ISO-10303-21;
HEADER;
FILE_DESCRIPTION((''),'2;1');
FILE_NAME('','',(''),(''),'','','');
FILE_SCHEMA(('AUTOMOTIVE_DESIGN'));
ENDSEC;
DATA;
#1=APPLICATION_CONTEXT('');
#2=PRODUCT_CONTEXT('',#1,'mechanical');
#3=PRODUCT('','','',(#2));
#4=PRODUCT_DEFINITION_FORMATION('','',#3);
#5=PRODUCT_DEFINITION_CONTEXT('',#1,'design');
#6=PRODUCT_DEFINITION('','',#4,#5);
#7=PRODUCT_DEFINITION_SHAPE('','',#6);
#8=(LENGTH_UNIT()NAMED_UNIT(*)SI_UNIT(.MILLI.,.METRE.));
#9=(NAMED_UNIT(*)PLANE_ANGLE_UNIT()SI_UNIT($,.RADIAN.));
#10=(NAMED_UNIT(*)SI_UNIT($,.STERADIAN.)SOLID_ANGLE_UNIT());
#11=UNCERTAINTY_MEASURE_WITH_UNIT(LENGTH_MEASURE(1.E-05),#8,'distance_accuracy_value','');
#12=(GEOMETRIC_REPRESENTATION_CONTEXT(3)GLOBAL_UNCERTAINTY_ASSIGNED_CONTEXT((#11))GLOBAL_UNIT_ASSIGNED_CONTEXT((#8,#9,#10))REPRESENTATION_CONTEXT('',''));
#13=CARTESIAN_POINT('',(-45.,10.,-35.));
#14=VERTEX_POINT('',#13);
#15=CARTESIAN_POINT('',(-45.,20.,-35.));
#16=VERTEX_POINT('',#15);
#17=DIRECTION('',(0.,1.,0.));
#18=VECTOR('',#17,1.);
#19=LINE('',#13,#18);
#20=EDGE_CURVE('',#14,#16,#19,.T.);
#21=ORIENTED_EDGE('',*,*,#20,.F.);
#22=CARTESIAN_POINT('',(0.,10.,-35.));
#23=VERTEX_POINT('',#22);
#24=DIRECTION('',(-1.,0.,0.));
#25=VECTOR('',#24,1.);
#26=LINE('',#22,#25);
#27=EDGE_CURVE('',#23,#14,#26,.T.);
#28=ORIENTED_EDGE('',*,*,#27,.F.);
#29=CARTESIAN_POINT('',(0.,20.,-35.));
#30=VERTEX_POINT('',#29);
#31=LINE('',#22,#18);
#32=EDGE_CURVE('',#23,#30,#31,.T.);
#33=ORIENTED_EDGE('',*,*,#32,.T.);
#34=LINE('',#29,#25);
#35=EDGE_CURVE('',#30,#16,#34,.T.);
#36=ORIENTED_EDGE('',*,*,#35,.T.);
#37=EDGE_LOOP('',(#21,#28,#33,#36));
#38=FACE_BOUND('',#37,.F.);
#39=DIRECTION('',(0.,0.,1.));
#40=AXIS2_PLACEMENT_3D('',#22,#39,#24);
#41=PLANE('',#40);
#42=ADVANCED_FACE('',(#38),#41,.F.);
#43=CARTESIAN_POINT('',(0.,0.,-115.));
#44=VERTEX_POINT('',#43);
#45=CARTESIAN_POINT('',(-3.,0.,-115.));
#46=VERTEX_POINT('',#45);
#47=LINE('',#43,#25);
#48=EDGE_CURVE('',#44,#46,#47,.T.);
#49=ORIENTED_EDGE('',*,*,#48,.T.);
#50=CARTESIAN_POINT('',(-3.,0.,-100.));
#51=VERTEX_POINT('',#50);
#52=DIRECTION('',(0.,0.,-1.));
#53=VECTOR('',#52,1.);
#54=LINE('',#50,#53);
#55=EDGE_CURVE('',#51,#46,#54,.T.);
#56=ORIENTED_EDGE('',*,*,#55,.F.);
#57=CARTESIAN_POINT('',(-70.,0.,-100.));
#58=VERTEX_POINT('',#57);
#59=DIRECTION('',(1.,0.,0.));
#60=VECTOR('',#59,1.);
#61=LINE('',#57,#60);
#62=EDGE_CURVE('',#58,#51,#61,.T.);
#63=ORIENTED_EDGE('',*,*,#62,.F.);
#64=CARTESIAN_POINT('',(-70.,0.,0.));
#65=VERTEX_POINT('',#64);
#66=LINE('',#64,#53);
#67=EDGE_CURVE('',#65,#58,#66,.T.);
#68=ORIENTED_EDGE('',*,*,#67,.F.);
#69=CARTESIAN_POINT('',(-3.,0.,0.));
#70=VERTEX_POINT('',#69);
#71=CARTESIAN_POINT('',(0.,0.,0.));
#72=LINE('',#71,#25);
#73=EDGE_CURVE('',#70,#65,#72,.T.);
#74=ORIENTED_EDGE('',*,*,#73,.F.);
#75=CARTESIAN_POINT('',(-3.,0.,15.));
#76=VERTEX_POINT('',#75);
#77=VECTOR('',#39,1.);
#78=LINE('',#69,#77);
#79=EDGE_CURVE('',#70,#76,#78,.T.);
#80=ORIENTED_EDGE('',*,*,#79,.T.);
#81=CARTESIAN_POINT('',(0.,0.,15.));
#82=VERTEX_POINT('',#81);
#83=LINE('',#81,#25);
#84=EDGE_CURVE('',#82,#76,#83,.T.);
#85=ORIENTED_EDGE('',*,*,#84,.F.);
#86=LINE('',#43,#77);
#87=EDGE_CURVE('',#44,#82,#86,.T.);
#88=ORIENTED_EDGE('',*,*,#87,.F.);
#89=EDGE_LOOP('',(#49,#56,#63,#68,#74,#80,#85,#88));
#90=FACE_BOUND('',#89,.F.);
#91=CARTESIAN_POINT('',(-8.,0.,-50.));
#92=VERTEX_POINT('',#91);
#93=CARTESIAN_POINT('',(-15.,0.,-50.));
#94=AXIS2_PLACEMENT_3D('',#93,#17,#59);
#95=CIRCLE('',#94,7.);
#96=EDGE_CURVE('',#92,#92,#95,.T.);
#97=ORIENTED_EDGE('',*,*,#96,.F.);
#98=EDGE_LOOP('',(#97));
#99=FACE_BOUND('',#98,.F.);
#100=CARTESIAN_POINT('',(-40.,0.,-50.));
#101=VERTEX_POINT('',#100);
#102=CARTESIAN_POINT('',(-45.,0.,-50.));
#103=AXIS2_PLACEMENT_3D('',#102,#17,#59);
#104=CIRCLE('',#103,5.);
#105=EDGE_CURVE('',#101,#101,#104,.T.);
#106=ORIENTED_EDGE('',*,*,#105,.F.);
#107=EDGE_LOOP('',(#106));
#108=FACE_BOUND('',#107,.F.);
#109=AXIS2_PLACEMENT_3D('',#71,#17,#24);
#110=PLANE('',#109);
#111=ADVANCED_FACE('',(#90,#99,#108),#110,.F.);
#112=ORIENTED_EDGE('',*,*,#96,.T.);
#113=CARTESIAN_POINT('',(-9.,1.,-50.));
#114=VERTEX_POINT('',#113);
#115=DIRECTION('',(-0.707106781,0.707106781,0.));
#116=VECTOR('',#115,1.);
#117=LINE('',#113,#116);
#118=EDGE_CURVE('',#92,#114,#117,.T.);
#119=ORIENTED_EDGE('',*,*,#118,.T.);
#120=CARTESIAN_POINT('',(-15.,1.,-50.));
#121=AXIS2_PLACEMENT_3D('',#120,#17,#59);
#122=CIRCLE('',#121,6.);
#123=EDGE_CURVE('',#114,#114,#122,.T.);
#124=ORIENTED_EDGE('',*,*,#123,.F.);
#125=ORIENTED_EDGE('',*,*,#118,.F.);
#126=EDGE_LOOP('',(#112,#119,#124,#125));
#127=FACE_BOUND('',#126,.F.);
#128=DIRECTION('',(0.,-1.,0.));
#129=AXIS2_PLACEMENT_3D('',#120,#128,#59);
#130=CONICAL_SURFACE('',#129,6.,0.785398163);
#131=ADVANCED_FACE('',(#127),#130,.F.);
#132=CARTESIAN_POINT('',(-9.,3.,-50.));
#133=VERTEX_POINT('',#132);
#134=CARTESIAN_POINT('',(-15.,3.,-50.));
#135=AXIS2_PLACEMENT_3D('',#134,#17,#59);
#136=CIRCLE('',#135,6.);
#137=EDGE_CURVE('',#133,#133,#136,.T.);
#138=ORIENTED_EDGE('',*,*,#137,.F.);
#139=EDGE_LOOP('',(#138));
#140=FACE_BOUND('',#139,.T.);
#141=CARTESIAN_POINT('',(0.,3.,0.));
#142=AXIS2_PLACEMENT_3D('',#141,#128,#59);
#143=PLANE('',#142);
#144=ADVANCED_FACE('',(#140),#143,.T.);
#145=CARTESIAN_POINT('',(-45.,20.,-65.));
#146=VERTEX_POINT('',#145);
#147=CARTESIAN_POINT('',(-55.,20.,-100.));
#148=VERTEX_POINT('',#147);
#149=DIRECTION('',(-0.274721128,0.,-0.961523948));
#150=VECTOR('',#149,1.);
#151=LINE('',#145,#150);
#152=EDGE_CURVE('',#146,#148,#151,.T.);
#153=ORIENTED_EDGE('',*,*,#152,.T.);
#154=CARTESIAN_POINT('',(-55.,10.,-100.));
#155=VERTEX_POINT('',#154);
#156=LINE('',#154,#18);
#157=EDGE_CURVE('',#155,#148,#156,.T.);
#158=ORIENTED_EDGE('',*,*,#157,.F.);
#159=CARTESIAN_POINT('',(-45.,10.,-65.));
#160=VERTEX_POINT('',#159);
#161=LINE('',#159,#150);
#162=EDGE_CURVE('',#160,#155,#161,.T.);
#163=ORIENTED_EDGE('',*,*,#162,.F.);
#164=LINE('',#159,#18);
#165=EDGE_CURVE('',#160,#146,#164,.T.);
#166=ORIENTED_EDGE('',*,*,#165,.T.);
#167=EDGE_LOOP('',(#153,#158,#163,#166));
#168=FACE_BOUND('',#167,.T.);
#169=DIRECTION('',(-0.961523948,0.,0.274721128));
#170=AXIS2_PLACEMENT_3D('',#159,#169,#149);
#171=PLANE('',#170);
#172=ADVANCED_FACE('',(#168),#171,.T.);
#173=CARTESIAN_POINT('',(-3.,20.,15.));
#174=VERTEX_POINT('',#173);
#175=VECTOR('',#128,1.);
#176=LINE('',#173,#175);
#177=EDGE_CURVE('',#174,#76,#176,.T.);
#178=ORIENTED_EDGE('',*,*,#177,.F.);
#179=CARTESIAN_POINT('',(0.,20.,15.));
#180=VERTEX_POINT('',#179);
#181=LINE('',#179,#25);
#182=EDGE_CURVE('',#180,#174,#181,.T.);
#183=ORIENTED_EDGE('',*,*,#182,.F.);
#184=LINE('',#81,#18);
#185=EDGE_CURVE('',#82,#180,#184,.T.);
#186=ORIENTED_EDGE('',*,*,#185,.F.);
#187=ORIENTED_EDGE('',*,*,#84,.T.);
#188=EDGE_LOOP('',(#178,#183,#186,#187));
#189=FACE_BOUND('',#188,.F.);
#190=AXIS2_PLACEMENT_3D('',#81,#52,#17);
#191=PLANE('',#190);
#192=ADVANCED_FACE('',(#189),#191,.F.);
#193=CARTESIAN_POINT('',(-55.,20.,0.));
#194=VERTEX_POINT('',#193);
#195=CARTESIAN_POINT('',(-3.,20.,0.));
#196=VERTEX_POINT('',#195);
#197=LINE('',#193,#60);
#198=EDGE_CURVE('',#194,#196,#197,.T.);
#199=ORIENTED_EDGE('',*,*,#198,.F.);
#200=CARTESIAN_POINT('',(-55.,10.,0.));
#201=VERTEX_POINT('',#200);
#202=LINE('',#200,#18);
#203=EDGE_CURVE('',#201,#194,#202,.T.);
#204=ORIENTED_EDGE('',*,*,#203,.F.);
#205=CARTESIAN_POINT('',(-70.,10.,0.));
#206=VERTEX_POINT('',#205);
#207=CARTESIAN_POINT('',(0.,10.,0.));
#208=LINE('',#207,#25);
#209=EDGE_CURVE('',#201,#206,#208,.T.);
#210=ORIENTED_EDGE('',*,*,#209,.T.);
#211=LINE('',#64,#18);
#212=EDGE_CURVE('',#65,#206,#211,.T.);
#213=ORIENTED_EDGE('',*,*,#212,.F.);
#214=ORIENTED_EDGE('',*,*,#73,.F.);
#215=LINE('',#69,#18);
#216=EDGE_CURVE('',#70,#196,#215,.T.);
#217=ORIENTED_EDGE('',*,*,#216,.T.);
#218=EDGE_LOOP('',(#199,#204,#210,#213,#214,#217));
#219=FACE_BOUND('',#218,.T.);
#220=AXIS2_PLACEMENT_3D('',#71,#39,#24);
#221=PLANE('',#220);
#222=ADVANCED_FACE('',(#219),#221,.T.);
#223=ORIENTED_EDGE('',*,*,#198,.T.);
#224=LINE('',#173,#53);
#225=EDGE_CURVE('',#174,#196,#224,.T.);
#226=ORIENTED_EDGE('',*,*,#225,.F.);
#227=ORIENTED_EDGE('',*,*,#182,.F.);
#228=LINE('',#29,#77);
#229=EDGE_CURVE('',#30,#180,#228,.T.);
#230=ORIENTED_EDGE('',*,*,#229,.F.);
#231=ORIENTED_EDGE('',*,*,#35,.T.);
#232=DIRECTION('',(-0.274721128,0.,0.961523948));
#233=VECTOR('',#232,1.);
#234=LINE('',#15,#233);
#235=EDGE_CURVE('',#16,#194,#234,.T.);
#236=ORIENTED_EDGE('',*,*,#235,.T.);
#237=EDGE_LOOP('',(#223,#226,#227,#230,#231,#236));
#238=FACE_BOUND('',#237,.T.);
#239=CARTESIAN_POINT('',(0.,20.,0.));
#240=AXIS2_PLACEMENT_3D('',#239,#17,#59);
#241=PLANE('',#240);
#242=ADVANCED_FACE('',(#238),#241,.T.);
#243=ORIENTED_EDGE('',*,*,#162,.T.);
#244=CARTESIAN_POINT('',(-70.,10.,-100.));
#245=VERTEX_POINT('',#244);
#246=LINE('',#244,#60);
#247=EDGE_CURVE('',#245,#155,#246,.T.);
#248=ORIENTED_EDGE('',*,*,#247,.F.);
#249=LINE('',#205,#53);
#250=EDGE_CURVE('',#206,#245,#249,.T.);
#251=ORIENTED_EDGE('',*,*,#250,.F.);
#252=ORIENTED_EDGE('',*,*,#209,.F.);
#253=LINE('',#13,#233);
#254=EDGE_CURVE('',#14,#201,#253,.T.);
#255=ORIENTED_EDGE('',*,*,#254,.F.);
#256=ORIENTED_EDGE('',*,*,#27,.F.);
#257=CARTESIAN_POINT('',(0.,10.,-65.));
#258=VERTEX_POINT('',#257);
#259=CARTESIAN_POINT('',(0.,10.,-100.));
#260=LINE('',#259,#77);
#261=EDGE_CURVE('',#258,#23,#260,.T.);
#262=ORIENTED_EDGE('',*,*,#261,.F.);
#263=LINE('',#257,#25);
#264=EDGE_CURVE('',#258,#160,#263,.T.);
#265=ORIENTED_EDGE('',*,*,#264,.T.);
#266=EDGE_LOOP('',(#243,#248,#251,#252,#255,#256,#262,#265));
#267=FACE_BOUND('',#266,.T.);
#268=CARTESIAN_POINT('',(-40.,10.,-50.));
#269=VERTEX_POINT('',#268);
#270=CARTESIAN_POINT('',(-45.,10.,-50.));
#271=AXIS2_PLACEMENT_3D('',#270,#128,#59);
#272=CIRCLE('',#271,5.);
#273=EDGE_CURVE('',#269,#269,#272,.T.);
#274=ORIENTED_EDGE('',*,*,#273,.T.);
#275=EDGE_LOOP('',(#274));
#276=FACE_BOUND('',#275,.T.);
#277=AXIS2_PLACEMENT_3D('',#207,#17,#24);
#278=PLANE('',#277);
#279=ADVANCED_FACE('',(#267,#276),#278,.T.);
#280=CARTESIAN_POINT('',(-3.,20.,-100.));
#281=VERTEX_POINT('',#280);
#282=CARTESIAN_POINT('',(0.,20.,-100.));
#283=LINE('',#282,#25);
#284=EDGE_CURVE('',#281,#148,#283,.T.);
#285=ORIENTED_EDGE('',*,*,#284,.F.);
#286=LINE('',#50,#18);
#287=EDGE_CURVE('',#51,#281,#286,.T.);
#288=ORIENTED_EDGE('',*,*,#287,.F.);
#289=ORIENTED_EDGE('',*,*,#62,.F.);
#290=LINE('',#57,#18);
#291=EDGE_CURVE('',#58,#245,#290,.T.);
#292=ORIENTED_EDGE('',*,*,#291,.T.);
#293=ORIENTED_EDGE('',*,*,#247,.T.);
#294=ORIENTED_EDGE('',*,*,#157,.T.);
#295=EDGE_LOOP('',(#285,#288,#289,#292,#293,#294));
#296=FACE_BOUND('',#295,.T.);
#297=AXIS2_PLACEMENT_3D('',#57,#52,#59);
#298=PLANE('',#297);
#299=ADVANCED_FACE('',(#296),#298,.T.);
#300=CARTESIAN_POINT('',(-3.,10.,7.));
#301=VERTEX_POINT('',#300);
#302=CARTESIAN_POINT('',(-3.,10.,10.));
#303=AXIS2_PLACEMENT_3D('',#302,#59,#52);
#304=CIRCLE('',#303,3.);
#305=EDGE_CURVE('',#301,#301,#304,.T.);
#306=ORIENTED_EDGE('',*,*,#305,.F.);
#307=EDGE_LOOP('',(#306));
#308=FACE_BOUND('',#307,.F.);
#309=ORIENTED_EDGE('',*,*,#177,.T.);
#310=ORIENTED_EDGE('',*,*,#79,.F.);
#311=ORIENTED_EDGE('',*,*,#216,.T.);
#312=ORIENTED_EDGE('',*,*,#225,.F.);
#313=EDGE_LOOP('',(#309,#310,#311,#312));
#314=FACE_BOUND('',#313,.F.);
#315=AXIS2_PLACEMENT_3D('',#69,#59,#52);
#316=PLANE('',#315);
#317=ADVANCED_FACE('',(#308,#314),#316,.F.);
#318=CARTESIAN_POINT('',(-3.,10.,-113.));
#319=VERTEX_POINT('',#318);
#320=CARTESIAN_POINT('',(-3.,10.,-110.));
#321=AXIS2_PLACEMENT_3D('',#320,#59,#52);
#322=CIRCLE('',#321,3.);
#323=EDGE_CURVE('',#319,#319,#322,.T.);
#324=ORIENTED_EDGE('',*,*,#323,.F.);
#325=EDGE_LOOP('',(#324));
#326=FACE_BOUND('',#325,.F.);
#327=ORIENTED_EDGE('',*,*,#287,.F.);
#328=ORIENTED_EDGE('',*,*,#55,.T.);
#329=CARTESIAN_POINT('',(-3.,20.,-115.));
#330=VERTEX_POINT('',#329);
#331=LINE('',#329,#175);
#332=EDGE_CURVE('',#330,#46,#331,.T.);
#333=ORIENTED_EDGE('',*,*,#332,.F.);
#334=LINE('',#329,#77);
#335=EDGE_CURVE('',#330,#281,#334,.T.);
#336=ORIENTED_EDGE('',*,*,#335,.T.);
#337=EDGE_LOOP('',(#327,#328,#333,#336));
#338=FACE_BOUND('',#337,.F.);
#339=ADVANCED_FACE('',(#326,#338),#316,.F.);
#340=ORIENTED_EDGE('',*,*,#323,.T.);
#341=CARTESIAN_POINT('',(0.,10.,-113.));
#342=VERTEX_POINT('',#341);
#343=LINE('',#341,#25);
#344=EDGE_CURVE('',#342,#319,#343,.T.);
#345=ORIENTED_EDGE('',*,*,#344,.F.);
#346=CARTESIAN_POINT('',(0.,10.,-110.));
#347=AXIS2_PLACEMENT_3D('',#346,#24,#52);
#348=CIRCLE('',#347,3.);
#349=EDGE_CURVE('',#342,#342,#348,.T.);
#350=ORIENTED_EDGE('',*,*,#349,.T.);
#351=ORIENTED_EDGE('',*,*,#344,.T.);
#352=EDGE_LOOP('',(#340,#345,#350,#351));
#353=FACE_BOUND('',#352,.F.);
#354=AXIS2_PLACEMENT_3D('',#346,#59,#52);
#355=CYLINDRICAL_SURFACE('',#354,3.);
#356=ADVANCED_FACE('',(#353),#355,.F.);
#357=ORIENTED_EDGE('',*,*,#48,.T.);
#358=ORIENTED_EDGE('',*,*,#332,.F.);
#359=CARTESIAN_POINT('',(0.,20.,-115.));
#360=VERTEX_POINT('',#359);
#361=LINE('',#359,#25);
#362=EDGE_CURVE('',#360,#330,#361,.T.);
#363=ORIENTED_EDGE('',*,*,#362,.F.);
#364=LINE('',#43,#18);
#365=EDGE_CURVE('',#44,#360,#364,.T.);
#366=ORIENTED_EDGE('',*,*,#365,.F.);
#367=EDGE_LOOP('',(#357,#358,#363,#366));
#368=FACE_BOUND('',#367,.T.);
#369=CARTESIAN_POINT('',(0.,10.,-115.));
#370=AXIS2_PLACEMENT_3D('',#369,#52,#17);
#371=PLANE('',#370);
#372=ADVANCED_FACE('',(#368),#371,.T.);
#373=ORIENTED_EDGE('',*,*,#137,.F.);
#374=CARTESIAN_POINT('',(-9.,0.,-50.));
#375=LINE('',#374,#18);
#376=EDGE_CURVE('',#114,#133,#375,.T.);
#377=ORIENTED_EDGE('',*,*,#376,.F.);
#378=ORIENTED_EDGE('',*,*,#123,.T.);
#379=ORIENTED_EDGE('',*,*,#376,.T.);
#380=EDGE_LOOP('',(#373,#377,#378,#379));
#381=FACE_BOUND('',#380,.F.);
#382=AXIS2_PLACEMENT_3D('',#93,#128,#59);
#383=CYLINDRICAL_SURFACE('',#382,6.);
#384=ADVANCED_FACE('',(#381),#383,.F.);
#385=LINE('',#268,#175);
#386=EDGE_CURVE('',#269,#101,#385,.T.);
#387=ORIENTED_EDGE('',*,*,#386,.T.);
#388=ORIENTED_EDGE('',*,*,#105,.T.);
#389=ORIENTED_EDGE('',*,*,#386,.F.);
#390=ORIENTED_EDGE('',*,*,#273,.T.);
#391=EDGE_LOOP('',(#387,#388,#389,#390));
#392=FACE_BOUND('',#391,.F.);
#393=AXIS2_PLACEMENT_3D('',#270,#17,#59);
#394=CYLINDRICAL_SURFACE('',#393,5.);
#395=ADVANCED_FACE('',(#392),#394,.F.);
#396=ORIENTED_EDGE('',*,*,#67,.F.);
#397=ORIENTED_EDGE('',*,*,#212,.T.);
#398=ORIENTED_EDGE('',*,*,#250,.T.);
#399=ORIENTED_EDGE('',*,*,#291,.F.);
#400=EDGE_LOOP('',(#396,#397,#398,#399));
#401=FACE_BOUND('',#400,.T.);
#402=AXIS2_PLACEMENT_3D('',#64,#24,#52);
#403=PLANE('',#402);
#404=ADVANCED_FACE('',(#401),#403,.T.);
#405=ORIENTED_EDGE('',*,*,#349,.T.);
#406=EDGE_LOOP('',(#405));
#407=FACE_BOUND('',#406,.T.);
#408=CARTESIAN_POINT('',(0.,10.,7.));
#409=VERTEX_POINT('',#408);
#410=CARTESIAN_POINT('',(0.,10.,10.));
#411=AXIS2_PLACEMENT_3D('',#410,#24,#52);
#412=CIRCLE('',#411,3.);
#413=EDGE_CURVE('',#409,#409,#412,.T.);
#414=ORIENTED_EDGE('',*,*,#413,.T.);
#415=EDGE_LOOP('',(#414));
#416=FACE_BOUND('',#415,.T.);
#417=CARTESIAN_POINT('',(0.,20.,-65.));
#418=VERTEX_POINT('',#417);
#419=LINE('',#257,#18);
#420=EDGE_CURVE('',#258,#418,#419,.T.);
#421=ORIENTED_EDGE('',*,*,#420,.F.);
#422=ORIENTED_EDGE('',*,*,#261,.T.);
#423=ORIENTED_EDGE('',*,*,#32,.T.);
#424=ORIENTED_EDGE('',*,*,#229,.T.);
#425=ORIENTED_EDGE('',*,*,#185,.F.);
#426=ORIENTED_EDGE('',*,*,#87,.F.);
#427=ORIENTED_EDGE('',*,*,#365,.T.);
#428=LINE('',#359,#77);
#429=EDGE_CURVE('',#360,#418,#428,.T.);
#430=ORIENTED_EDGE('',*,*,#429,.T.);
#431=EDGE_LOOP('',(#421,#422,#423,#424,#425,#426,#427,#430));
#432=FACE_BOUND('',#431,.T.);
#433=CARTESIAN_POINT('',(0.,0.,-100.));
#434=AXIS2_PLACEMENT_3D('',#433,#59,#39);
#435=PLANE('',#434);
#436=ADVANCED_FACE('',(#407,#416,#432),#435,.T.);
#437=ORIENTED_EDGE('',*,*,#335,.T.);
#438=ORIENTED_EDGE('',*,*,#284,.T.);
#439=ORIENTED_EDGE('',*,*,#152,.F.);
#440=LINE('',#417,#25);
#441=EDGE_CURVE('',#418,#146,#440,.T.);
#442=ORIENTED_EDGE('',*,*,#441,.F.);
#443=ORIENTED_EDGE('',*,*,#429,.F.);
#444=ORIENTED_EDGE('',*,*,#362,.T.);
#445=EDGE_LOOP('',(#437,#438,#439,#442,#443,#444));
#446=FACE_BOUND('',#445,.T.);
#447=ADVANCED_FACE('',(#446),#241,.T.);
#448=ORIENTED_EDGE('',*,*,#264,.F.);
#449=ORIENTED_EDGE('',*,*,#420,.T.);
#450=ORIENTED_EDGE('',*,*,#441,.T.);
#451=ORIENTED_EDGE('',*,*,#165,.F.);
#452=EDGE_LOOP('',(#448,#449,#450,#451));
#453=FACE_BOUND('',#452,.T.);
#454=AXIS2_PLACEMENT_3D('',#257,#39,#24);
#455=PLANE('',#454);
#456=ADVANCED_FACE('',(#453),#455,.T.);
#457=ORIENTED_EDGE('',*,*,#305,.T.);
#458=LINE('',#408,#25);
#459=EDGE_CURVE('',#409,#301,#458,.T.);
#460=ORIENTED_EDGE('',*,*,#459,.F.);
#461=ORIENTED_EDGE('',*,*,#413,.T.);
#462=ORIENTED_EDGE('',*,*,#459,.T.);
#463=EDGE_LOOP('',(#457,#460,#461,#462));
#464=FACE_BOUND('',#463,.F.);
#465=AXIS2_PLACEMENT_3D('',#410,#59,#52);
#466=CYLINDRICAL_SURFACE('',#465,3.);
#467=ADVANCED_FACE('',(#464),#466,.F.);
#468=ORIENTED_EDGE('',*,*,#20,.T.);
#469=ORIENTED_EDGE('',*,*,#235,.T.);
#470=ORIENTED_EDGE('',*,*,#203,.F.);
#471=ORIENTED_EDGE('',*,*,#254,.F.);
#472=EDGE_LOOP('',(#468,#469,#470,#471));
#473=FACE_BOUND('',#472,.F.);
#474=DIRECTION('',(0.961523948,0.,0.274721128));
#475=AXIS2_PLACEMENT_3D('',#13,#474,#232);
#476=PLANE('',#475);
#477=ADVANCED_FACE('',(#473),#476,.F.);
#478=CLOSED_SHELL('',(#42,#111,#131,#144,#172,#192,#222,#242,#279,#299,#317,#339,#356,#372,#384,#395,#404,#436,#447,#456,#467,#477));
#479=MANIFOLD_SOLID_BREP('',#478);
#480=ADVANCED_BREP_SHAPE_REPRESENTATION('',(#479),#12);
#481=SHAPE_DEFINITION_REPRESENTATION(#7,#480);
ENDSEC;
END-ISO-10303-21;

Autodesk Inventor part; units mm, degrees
ref_plane "YZ Plane" through (0, 0, 0) normal (1, 0, 0) x (0, 1, 0)
ref_plane "XZ Plane" through (0, 0, 0) normal (0, 1, 0) x (-1, 0, 0)
ref_plane "XY Plane" through (0, 0, 0) normal (0, 0, 1) x (1, 0, 0)
sketch "Эскиз1" plane through (0, 0, 0) normal (0, 1, 0) x (-1, 0, 0)
  line L0 (0, 0) -> (70, 0)
  line L1 (70, 0) -> (70, -100)
  line L2 (70, -100) -> (0, -100)
  line L3 (0, -100) -> (0, 0)
  dimension "d0" = 70
  dimension "d1" = 100
extrude "Выдавливание1" add sketch "Эскиз1" along normal blind 10
sketch "Эскиз2" plane through (0, 10, 0) normal (0, 1, 0) x (1, 0, 0)
  line L0 (0, 0) -> (0, 100) projected
  line L1 (0, 50) -> (-45, 50)
  circle A0 centre (-45, 50) radius 5
  line L2 (0, 50) -> (0, 65)
  line L3 (0, 65) -> (-45, 65)
  line L4 (0, 50) -> (0, 35)
  line L5 (0, 35) -> (-45, 35)
  line L6 (-45, 50) -> (-70, 50)
  line L7 (-70, 100) -> (-70, 0) projected
  line L8 (-45, 50) -> (5, 50) construction
  line L9 (-45, 50) -> (-52.1103, 25.1139)
  line L10 (-45, 50) -> (15, 50) construction
  line L11 (-45, 50) -> (-52.1103, 74.8861)
  circle A1 centre (-45, 50) radius 9
  line L12 (-45, 65) -> (-55, 100)
  line L13 (-45, 35) -> (-55, 0)
  line L14 (-55, 0) -> (0, 0)
  line L15 (0, 0) -> (0, 100)
  line L16 (0, 100) -> (-55, 100)
  dimension "d4" = 45
  dimension "d5" = 10
  dimension "d6" = 15
  dimension "d7" = 15
  dimension "d13" = 18
  dimension "d19" = 45
  dimension "d49" = 55
  dimension "d50" = 148.109
extrude "Выдавливание2" add sketch "Эскиз2" along normal blind 10 contours L14 L13 L5 L0 | L3 L12 L16 L0
extrude "Выдавливание3" cut sketch "Эскиз2" against normal blind 42.5 contours A0 L9 L1 | L1 L11 A0 | L9 A0 L6 | L6 A0 L11
sketch "Эскиз3" plane through (0, 0, 0) normal (0, -1, 0) x (1, 0, 0)
  circle A0 centre (-45, -50) radius 5 projected
  line L0 (-45, -50) -> (-15, -50)
  circle A1 centre (-15, -50) radius 6
  point P0 (0, 0)
  dimension "d20" = 30
  dimension "d21" = 12
extrude "Выдавливание4" cut sketch "Эскиз3" against normal blind 3 contours A1
chamfer "Фаска1" distance 1 angle 45 1 edges at (-21, 0, -50)
sketch "Эскиз4" plane through (0, 0, 0) normal (1, 0, 0) x (0, 0, -1)
  line L0 (0, 0) -> (0, 20) projected
  line L1 (0, 0) -> (-15, 0)
  line L2 (-15, 0) -> (-15, 20)
  line L3 (-15, 20) -> (0, 20)
  line L4 (0, 20) -> (0, 0)
  line L5 (100, 0) -> (100, 20) projected
  line L6 (100, 0) -> (115, 0)
  line L7 (115, 0) -> (115, 20)
  line L8 (115, 20) -> (100, 20)
  line L9 (100, 20) -> (100, 0)
  line L10 (115, 20) -> (110, 20)
  line L11 (110, 20) -> (110, 10)
  line L12 (110, 10) -> (115, 10)
  line L13 (115, 10) -> (115, 20)
  line L14 (-15, 20) -> (-10, 20)
  line L15 (-10, 20) -> (-10, 10)
  line L16 (-10, 10) -> (-15, 10)
  line L17 (-15, 10) -> (-15, 20)
  circle A0 centre (-10, 10) radius 3
  circle A1 centre (110, 10) radius 3
  line L18 (100, 20) -> (0, 20)
  dimension "d27" = 15
  dimension "d28" = 15
  dimension "d29" = 5
  dimension "d30" = 10
  dimension "d31" = 5
  dimension "d32" = 10
  dimension "d33" = 6
  dimension "d34" = 6
extrude "Выдавливание5" add sketch "Эскиз4" against normal blind 3 contours L1 L2 L16 A0 L15 L3 L0 | L8 L11 A1 L12 L7 L6 L5 | L15 A0 L16 L2 L3 | L8 L7 L12 A1 L11
properties part number "Стенка"
